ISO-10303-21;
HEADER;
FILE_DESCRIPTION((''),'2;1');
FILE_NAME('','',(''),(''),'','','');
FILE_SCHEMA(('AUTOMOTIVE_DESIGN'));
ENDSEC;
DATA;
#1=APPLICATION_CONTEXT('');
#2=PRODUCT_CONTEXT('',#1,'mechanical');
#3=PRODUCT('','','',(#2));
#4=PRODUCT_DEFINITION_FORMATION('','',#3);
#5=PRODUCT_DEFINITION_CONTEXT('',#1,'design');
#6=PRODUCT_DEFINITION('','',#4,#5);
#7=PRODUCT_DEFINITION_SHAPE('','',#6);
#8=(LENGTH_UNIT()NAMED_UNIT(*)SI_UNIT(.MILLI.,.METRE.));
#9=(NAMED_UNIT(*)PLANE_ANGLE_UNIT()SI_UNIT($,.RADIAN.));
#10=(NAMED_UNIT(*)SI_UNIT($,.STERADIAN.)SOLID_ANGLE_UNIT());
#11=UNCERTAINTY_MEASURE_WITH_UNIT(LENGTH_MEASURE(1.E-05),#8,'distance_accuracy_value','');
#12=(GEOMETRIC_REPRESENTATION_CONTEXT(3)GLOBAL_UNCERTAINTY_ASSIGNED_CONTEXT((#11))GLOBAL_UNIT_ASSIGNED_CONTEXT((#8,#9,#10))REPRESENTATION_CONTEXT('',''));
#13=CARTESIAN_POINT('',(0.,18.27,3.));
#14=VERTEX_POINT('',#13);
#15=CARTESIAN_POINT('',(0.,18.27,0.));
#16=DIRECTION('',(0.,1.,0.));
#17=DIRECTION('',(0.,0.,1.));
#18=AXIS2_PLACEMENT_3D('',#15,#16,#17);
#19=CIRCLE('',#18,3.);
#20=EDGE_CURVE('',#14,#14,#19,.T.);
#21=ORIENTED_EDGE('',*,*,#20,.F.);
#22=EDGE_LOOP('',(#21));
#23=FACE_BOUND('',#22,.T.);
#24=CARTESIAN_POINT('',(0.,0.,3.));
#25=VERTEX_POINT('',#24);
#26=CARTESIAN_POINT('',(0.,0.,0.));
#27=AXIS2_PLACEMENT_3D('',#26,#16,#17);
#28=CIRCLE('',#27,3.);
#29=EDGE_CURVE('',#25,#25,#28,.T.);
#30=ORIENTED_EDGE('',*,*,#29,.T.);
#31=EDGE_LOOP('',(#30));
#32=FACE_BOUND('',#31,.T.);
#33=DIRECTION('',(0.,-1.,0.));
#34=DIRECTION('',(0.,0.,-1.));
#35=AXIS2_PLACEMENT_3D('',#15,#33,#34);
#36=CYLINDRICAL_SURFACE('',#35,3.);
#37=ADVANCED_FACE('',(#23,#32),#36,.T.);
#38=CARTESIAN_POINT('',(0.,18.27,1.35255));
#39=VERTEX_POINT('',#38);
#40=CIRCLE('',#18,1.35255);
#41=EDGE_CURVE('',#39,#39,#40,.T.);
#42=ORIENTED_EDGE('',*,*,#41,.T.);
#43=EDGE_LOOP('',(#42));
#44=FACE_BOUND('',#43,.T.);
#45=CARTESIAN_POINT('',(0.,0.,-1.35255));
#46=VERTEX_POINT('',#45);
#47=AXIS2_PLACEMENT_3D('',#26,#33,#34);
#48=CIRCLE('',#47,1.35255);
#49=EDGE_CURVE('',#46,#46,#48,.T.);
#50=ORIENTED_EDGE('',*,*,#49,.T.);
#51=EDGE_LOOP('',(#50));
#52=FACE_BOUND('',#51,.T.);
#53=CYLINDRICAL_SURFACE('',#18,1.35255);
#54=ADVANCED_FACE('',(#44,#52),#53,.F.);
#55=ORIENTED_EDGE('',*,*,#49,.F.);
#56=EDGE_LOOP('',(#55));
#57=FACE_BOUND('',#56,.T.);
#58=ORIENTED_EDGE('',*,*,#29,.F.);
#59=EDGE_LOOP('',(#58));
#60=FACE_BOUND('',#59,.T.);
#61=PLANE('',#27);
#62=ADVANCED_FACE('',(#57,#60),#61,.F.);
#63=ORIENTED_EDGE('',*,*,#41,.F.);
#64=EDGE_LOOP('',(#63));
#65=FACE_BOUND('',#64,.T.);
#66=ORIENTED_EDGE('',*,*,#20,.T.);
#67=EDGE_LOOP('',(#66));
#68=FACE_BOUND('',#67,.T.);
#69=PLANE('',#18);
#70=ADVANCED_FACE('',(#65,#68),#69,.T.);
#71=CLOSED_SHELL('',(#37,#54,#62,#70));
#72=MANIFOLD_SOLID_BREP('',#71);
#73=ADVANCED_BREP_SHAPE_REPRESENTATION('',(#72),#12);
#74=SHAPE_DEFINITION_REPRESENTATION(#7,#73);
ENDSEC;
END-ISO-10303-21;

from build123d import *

# Parameters (mm, degrees)
SKETCH1_R                 = 3
BOSS_EXTRUDE1_DEPTH       = 18.27
F_6_32_TAPPED_HOLE1_D     = 2.7051
F_6_32_TAPPED_HOLE1_DEPTH = 10
F_6_32_TAPPED_HOLE1_TIP   = 0.81269403
F_6_32_TAPPED_HOLE2_D     = 2.7051
F_6_32_TAPPED_HOLE2_DEPTH = 10
F_6_32_TAPPED_HOLE2_TIP   = 0.81269403


with BuildPart() as part:
    # Sketch1 → Boss-Extrude1 (new body)
    with BuildSketch(Plane(origin=(0, 0, 0), x_dir=(1, 0, 0), z_dir=(0, 1, 0))):
        with Locations(Location((0, 0, 0), (0, 0, 270))):
            Circle(SKETCH1_R)
    extrude(amount=BOSS_EXTRUDE1_DEPTH)

    # #6-32 Tapped Hole1
    with Locations(Plane(origin=(0, 18.27, 0), x_dir=(1, 0, 0), z_dir=(0, 1, 0))):
        with Locations((0, 0)):
            Hole(F_6_32_TAPPED_HOLE1_D / 2, depth=F_6_32_TAPPED_HOLE1_DEPTH)
            with Locations((0, 0, -(F_6_32_TAPPED_HOLE1_DEPTH + F_6_32_TAPPED_HOLE1_TIP / 2))):  # 118° drill point
                Cone(0, F_6_32_TAPPED_HOLE1_D / 2, F_6_32_TAPPED_HOLE1_TIP, mode=Mode.SUBTRACT)

    # #6-32 Tapped Hole2
    with Locations(Plane(origin=(0, 0, 0), x_dir=(-1, 0, 0), z_dir=(0, -1, 0))):
        with Locations((0, 0)):
            Hole(F_6_32_TAPPED_HOLE2_D / 2, depth=F_6_32_TAPPED_HOLE2_DEPTH)
            with Locations((0, 0, -(F_6_32_TAPPED_HOLE2_DEPTH + F_6_32_TAPPED_HOLE2_TIP / 2))):  # 118° drill point
                Cone(0, F_6_32_TAPPED_HOLE2_D / 2, F_6_32_TAPPED_HOLE2_TIP, mode=Mode.SUBTRACT)


solid = part.part
